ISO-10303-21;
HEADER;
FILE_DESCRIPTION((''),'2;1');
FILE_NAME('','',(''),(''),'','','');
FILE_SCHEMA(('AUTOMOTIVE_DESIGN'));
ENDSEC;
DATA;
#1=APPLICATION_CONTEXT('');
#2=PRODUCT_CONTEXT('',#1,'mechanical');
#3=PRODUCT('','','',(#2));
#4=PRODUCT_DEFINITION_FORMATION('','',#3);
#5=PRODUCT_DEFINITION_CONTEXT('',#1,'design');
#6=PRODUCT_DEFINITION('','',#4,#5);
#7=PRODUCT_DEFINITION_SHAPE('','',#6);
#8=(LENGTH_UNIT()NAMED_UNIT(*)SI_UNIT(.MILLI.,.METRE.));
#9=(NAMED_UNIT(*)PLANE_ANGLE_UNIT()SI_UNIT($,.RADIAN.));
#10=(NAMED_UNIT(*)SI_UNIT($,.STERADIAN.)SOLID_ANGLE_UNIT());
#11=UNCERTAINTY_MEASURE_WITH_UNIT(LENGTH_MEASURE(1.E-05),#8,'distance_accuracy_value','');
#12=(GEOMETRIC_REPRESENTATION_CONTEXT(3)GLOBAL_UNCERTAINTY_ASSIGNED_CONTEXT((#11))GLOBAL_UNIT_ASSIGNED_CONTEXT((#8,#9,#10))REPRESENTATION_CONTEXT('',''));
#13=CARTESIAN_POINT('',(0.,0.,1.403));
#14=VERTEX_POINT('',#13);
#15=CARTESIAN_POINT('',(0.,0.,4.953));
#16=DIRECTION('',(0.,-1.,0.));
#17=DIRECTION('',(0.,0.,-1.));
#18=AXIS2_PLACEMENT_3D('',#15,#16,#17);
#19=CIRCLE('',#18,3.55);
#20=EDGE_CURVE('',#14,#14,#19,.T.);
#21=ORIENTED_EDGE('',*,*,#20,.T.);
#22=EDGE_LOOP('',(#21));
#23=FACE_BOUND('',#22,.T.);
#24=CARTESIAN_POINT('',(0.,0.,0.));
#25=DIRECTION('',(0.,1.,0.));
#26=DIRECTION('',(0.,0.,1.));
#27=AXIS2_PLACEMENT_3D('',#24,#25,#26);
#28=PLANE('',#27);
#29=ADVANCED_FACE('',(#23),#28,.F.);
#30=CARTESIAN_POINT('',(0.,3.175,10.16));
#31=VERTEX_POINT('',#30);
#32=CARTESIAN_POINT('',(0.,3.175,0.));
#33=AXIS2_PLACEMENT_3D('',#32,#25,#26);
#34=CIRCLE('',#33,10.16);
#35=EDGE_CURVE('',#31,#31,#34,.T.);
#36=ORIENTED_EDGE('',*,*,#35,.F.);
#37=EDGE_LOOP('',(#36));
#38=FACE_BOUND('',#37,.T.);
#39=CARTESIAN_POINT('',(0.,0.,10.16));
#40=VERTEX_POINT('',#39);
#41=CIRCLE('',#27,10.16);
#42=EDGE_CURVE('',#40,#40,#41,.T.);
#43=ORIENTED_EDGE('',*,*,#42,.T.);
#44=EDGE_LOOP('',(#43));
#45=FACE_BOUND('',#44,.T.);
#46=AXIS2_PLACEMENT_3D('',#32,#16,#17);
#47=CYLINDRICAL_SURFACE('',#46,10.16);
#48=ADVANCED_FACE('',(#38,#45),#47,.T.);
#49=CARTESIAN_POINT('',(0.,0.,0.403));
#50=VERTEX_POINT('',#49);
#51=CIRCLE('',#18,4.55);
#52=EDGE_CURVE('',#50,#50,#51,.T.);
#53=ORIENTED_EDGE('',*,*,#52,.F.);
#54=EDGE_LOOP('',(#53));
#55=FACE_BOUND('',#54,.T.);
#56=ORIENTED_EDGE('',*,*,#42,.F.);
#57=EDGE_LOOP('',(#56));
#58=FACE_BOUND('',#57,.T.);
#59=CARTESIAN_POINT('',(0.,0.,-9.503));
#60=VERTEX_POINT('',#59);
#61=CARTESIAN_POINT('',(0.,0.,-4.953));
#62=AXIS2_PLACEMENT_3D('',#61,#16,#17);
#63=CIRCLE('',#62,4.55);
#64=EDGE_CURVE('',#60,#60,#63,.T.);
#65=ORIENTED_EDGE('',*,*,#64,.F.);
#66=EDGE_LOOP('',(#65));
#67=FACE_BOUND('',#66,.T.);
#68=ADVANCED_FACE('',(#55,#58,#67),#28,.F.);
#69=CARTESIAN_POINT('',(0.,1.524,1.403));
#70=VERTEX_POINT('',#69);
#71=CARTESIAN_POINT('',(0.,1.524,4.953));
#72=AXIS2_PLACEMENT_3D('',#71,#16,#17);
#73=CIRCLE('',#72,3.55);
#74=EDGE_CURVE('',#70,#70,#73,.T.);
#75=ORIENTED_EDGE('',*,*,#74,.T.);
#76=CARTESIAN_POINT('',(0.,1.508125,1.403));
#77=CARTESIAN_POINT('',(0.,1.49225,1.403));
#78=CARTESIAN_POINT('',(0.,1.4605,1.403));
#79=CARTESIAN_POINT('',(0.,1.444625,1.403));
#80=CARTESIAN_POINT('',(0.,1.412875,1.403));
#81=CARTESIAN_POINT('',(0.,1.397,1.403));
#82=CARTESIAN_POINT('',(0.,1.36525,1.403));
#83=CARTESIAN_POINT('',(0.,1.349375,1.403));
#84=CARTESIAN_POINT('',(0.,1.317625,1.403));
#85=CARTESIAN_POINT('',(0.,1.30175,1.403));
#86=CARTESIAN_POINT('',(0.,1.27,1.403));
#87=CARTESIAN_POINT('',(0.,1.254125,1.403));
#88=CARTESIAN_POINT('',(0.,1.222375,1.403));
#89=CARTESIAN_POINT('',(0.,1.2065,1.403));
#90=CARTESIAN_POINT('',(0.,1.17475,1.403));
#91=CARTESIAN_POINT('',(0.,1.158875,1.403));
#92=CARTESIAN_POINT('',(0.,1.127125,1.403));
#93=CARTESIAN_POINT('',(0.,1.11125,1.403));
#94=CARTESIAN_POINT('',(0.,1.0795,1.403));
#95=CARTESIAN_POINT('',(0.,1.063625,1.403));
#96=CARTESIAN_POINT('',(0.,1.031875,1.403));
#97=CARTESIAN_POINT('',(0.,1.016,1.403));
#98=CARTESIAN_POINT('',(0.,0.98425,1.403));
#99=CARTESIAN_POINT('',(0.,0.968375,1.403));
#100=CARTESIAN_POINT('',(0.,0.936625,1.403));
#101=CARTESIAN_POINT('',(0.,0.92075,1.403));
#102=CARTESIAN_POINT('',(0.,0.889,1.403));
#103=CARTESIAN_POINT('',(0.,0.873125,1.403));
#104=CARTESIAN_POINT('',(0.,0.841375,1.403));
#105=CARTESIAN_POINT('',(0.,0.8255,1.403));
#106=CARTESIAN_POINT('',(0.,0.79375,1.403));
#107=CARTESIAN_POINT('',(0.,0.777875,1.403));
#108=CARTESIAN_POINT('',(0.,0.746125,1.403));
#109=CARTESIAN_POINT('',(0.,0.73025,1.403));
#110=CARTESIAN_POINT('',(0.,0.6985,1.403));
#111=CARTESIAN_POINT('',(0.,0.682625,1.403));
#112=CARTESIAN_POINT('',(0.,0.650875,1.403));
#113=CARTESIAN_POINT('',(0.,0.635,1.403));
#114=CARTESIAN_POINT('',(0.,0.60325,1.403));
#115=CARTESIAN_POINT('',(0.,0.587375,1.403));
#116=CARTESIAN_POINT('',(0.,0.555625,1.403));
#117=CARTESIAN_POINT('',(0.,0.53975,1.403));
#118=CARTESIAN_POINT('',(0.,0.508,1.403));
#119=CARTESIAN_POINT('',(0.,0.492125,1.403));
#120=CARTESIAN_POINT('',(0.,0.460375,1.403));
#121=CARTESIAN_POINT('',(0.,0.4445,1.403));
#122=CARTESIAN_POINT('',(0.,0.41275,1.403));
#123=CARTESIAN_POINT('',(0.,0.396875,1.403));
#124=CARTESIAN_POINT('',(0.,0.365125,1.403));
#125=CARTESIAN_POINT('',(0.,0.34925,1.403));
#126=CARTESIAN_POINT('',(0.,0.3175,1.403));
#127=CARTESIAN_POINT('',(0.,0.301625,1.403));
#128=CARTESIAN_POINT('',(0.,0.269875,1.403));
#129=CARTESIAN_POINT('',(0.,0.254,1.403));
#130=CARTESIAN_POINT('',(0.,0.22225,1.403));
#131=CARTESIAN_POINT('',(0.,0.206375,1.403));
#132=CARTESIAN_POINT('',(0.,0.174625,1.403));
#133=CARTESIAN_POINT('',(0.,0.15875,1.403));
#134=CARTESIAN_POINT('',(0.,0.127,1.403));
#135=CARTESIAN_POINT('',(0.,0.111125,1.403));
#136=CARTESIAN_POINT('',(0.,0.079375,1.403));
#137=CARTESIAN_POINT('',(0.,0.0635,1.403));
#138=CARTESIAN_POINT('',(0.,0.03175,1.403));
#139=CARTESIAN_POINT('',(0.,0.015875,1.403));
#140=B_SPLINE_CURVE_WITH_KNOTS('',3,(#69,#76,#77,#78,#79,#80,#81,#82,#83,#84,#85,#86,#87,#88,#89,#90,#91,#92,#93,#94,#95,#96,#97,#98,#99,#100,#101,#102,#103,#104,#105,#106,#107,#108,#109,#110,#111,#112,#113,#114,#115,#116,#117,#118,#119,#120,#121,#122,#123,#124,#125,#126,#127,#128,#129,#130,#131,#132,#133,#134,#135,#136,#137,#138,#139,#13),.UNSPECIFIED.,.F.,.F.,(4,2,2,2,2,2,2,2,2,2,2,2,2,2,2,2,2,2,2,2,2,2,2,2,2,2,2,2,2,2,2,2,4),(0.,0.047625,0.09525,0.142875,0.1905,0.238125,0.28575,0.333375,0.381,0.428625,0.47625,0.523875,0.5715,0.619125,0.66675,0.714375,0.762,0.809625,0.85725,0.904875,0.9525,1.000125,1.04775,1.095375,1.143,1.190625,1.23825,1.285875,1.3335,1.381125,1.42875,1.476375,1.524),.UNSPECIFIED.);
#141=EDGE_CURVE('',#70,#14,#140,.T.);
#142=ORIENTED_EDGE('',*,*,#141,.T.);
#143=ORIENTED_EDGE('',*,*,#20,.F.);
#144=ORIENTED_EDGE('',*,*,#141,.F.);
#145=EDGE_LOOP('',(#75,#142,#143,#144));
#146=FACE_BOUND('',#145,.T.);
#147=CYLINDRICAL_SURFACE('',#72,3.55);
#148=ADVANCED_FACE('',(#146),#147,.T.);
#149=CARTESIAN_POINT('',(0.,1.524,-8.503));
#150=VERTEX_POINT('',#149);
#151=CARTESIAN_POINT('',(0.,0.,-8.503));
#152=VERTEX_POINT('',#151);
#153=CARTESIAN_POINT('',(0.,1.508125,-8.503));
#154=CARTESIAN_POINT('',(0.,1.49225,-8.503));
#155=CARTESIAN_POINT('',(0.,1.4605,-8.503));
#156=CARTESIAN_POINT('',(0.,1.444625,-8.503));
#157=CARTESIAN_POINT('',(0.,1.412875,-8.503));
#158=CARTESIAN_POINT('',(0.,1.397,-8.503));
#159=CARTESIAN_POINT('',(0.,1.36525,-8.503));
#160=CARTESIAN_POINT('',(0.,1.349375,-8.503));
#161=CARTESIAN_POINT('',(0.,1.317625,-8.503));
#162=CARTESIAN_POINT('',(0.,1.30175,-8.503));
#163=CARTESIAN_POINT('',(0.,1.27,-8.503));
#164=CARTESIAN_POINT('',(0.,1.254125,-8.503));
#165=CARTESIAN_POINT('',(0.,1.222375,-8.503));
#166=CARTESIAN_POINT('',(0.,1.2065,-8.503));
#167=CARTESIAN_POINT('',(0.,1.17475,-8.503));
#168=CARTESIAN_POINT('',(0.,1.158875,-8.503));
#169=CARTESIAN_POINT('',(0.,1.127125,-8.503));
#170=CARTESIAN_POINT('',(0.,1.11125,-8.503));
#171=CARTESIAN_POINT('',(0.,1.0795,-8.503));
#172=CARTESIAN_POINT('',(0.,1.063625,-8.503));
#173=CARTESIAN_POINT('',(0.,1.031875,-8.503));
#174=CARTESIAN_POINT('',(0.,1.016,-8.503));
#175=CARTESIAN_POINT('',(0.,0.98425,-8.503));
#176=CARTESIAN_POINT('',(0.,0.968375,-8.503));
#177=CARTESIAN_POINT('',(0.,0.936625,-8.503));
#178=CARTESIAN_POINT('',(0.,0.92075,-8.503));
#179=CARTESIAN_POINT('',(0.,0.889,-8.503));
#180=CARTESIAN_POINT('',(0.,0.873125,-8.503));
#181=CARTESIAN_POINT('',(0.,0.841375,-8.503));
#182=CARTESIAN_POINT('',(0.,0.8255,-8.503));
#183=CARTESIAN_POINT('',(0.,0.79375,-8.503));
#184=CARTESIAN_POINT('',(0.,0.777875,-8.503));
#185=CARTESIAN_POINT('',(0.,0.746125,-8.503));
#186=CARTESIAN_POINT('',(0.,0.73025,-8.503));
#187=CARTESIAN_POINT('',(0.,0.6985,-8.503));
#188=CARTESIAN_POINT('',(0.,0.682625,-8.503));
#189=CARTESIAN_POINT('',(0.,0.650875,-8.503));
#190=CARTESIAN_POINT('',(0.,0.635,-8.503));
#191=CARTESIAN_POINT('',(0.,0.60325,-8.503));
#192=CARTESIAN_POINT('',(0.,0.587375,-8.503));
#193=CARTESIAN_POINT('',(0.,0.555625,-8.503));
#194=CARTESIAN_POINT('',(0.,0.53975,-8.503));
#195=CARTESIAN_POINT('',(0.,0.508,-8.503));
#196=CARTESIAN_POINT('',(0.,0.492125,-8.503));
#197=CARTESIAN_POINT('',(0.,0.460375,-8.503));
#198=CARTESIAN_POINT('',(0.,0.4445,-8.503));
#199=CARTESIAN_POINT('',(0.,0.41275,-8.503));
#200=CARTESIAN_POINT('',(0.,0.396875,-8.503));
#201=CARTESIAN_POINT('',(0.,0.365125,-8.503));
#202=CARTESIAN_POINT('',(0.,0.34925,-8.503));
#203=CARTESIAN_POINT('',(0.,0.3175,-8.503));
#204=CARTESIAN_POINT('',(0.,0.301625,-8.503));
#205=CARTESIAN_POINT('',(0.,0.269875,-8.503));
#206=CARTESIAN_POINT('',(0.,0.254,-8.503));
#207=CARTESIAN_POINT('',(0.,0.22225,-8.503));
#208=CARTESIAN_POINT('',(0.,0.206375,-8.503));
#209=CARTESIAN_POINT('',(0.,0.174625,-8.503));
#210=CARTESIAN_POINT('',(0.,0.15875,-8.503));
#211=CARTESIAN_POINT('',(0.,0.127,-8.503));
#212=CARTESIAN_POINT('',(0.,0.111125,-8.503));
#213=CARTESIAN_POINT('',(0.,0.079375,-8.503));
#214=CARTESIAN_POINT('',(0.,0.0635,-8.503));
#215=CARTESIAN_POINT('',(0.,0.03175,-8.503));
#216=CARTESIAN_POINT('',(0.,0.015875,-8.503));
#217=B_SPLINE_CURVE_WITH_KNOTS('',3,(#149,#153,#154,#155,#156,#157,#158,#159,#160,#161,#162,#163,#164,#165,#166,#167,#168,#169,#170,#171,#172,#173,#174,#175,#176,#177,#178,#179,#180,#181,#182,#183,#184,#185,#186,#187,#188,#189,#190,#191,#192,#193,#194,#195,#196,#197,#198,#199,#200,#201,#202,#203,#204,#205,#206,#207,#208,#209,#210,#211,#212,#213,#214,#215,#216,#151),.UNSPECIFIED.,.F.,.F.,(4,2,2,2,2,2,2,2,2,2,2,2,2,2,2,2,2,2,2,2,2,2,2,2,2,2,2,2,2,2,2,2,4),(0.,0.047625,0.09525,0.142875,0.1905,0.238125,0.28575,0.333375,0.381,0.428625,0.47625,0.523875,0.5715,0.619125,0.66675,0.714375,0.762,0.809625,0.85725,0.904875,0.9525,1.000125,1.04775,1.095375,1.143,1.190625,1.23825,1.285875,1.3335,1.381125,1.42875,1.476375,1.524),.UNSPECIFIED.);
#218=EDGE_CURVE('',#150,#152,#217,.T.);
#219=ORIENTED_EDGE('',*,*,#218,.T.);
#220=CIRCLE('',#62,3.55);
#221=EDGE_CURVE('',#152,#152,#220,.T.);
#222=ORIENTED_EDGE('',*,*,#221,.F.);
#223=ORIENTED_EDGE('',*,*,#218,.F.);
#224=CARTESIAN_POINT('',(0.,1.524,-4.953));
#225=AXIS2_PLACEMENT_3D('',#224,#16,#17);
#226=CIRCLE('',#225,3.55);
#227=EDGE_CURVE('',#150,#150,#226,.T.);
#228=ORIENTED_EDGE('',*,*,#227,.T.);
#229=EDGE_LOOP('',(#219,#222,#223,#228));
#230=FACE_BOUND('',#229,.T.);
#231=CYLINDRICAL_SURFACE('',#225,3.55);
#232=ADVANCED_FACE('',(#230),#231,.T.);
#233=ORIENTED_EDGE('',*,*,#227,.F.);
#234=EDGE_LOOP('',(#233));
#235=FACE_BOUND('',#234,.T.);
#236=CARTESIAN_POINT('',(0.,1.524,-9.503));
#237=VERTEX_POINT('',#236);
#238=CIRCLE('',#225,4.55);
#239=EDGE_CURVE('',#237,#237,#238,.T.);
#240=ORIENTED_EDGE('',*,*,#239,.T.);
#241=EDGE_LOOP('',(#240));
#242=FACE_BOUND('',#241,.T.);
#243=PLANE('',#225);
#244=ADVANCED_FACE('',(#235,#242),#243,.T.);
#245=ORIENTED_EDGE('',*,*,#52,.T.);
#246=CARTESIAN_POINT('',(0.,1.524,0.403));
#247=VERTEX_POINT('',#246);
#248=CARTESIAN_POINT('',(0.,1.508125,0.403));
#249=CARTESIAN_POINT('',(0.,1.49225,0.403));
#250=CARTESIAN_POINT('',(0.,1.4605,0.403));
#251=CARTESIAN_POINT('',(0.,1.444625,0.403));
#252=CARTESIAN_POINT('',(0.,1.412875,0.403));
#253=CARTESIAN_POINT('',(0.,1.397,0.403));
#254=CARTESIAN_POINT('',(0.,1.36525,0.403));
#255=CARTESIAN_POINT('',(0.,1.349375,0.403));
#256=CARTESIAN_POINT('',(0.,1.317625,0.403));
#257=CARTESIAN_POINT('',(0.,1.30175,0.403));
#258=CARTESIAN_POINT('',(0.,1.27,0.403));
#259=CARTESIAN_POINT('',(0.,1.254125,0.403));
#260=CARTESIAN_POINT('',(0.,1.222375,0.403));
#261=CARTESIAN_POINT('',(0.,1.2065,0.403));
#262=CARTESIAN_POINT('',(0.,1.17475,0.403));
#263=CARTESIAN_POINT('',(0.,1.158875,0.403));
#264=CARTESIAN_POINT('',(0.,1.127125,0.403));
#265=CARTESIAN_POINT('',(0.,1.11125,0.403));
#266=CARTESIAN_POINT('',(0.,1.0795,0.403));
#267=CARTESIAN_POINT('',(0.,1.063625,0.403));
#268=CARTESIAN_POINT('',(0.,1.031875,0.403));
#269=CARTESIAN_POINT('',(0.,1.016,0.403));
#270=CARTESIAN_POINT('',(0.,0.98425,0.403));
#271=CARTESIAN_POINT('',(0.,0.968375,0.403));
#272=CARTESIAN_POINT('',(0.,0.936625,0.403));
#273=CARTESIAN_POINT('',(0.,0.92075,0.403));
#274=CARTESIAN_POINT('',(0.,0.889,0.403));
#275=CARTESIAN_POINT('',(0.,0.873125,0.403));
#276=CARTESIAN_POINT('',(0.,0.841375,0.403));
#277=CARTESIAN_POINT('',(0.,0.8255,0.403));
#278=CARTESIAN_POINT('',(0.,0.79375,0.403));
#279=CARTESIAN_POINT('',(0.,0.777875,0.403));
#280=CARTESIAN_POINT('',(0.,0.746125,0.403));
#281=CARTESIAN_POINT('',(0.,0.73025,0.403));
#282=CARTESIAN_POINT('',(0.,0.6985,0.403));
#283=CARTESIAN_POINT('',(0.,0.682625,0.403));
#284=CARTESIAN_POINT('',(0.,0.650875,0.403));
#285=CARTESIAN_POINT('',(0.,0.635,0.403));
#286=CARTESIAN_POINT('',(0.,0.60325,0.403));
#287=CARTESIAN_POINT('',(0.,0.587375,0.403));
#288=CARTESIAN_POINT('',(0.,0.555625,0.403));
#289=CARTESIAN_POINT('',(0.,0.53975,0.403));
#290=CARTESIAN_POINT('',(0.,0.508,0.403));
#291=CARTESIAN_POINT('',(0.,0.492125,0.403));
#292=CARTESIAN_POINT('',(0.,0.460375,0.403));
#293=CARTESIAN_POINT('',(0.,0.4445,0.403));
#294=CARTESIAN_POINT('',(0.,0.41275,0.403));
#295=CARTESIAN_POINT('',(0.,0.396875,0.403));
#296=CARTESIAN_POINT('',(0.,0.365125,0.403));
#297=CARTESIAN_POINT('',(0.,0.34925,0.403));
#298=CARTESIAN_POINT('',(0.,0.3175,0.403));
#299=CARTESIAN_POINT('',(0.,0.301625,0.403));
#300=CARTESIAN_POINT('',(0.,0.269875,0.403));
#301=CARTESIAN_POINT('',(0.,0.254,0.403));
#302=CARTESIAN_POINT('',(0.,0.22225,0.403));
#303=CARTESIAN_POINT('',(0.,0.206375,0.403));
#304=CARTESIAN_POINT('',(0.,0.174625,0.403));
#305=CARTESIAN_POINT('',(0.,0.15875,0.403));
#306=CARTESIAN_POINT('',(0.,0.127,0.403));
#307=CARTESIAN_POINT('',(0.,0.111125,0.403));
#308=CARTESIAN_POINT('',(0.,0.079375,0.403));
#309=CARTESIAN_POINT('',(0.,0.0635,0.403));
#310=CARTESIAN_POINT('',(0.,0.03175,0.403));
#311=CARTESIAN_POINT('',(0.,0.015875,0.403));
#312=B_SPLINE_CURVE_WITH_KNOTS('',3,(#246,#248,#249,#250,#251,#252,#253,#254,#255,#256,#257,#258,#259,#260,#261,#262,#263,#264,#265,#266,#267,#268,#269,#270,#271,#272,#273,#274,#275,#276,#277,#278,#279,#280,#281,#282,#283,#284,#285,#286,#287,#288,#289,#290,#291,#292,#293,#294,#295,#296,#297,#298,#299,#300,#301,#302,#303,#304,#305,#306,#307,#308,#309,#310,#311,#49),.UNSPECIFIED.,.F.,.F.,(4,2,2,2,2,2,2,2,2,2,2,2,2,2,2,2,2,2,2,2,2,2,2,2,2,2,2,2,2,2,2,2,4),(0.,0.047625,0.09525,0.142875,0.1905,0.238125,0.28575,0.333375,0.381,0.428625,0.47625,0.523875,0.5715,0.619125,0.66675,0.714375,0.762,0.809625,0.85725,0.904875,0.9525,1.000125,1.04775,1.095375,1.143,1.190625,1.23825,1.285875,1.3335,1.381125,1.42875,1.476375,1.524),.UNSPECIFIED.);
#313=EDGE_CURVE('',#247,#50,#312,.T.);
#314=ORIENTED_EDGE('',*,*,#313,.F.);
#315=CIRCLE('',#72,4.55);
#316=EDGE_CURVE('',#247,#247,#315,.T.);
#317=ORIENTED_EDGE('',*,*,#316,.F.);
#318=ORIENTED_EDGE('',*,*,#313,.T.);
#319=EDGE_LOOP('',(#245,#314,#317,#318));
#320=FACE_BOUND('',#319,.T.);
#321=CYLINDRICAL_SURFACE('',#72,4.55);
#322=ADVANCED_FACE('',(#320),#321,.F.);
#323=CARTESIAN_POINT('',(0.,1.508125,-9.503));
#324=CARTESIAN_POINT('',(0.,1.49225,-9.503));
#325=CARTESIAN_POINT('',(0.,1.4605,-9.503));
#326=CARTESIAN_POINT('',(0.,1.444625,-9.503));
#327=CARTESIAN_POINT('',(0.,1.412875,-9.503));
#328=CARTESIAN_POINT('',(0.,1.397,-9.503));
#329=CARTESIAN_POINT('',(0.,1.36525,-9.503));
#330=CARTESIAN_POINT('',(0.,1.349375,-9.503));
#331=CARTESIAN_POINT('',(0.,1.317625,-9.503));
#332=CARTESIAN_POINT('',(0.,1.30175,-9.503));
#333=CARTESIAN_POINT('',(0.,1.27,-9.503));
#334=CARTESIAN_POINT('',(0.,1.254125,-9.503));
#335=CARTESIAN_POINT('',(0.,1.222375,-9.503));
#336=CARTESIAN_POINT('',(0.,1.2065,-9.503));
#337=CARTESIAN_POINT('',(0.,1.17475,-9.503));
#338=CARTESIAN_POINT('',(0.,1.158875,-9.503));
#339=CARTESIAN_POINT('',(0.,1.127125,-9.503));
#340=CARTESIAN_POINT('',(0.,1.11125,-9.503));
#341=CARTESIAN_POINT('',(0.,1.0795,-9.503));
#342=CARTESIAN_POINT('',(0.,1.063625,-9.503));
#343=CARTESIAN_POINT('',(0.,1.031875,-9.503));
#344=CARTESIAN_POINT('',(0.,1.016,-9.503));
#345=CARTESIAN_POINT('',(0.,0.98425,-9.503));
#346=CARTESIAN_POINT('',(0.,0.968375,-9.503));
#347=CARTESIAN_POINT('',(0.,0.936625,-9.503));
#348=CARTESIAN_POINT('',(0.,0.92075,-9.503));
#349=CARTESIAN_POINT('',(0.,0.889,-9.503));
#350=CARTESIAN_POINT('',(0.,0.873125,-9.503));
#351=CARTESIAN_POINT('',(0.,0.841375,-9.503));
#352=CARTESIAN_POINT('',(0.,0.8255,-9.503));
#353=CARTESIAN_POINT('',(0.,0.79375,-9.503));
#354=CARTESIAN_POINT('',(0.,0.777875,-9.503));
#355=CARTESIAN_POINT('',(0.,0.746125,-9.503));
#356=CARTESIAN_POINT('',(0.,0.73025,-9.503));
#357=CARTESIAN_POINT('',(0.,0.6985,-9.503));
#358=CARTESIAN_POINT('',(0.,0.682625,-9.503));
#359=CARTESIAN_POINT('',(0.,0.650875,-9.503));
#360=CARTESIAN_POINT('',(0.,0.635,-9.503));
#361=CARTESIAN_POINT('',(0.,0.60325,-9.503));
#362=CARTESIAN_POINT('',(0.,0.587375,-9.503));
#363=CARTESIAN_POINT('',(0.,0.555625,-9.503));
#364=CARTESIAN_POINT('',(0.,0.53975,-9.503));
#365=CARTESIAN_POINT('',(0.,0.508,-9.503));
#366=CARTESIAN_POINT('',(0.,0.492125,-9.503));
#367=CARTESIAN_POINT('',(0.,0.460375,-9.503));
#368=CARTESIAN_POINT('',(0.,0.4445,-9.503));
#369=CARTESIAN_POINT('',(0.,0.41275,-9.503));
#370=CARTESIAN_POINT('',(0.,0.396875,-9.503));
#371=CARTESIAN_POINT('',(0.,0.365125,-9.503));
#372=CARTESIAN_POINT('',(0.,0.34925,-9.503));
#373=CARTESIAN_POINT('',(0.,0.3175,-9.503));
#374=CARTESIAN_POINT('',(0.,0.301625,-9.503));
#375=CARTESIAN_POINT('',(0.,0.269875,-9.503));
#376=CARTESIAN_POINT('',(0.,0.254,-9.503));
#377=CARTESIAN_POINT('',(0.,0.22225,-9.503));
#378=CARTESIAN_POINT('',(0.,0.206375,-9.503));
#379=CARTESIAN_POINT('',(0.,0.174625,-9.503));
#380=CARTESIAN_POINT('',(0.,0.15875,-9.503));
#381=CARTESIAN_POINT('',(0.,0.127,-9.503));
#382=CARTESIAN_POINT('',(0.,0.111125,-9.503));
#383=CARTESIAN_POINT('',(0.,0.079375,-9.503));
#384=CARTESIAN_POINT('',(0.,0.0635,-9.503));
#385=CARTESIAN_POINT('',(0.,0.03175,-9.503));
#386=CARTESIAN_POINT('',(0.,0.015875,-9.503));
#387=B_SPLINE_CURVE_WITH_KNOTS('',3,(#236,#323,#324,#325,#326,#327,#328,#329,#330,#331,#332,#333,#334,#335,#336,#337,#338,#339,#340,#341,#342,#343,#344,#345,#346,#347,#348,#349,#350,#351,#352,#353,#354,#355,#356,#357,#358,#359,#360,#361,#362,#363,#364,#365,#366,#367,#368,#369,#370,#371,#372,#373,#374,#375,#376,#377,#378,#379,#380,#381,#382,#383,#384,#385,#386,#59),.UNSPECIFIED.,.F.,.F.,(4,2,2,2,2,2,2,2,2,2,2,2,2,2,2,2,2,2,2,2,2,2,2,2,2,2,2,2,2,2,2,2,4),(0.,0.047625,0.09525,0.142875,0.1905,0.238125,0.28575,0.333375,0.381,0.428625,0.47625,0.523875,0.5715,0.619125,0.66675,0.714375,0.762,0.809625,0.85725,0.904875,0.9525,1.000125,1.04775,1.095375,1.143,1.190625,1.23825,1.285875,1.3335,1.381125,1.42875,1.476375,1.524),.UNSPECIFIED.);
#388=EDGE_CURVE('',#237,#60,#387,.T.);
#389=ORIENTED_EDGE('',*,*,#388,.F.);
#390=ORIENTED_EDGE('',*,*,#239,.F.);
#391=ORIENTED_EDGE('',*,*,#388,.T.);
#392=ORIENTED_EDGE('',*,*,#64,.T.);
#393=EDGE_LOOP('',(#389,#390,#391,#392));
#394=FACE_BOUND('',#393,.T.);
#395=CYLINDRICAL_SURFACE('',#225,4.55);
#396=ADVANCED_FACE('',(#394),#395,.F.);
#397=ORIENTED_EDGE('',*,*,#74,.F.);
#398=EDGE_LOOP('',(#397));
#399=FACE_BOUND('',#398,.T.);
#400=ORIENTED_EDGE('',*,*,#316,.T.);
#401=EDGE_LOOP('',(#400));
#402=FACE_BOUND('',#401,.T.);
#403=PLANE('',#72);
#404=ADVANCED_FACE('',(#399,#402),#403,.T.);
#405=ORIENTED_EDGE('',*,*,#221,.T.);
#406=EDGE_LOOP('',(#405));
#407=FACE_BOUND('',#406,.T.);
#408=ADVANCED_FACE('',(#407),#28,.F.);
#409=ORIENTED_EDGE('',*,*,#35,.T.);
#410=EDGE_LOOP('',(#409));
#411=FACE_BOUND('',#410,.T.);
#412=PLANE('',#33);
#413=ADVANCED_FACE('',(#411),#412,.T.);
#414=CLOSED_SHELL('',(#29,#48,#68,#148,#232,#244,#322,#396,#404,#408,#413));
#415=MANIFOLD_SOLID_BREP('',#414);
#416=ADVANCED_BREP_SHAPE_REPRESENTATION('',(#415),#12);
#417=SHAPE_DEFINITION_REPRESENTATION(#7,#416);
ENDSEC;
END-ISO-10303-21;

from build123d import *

# Parameters (mm, degrees)
SKETCH1_R           = 10.16
SKETCH1_R_2         = 4.550000044
SKETCH1_R_3         = 3.550000044
BOSS_EXTRUDE1_DEPTH = 3.175
SKETCH2_R           = 4.550000044
SKETCH2_R_2         = 3.550000044
CUT_EXTRUDE1_DEPTH  = 1.524


with BuildPart() as part:
    # Sketch1 → Boss-Extrude1 (new body)
    # profile 1 of 5: a face of its own
    with BuildSketch(Plane(origin=(0, 0, 0), x_dir=(1, 0, 0), z_dir=(0, 1, 0))):
        with Locations(Location((0, 0, 0), (0, 0, 270))):
            Circle(SKETCH1_R)
        with Locations((0, 4.953)):
            Circle(SKETCH1_R_2, mode=Mode.SUBTRACT)
        with Locations((0, -4.953)):
            Circle(SKETCH1_R_2, mode=Mode.SUBTRACT)
    # profile 2 of 5: a face of its own
    with BuildSketch(Plane(origin=(0, 0, 0), x_dir=(1, 0, 0), z_dir=(0, 1, 0))):
        with Locations((0, 4.953)):
            Circle(SKETCH1_R_2)
        with Locations((0, 4.953)):
            Circle(SKETCH1_R_3, mode=Mode.SUBTRACT)
    # profile 3 of 5: a face of its own
    with BuildSketch(Plane(origin=(0, 0, 0), x_dir=(1, 0, 0), z_dir=(0, 1, 0))):
        with Locations((0, 4.953)):
            Circle(SKETCH1_R_3)
    # profile 4 of 5: a face of its own
    with BuildSketch(Plane(origin=(0, 0, 0), x_dir=(1, 0, 0), z_dir=(0, 1, 0))):
        with Locations((0, -4.953)):
            Circle(SKETCH1_R_2)
        with Locations((0, -4.953)):
            Circle(SKETCH1_R_3, mode=Mode.SUBTRACT)
    # profile 5 of 5: a face of its own
    with BuildSketch(Plane(origin=(0, 0, 0), x_dir=(1, 0, 0), z_dir=(0, 1, 0))):
        with Locations((0, -4.953)):
            Circle(SKETCH1_R_3)
    extrude(amount=BOSS_EXTRUDE1_DEPTH)

    # Sketch2 → Cut-Extrude1 (cut)
    # profile 1 of 2: a face of its own
    with BuildSketch(Plane.XZ):
        with Locations(Location((0, -4.953, 0), (0, 0, 270))):
            Circle(SKETCH2_R)
        with Locations(Location((0, -4.953, 0), (0, 0, 270))):
            Circle(SKETCH2_R_2, mode=Mode.SUBTRACT)
    # profile 2 of 2: a face of its own
    with BuildSketch(Plane.XZ):
        with Locations(Location((0, 4.953, 0), (0, 0, 270))):
            Circle(SKETCH2_R)
        with Locations(Location((0, 4.953, 0), (0, 0, 270))):
            Circle(SKETCH2_R_2, mode=Mode.SUBTRACT)
    extrude(amount=-CUT_EXTRUDE1_DEPTH, mode=Mode.SUBTRACT)


solid = part.part
